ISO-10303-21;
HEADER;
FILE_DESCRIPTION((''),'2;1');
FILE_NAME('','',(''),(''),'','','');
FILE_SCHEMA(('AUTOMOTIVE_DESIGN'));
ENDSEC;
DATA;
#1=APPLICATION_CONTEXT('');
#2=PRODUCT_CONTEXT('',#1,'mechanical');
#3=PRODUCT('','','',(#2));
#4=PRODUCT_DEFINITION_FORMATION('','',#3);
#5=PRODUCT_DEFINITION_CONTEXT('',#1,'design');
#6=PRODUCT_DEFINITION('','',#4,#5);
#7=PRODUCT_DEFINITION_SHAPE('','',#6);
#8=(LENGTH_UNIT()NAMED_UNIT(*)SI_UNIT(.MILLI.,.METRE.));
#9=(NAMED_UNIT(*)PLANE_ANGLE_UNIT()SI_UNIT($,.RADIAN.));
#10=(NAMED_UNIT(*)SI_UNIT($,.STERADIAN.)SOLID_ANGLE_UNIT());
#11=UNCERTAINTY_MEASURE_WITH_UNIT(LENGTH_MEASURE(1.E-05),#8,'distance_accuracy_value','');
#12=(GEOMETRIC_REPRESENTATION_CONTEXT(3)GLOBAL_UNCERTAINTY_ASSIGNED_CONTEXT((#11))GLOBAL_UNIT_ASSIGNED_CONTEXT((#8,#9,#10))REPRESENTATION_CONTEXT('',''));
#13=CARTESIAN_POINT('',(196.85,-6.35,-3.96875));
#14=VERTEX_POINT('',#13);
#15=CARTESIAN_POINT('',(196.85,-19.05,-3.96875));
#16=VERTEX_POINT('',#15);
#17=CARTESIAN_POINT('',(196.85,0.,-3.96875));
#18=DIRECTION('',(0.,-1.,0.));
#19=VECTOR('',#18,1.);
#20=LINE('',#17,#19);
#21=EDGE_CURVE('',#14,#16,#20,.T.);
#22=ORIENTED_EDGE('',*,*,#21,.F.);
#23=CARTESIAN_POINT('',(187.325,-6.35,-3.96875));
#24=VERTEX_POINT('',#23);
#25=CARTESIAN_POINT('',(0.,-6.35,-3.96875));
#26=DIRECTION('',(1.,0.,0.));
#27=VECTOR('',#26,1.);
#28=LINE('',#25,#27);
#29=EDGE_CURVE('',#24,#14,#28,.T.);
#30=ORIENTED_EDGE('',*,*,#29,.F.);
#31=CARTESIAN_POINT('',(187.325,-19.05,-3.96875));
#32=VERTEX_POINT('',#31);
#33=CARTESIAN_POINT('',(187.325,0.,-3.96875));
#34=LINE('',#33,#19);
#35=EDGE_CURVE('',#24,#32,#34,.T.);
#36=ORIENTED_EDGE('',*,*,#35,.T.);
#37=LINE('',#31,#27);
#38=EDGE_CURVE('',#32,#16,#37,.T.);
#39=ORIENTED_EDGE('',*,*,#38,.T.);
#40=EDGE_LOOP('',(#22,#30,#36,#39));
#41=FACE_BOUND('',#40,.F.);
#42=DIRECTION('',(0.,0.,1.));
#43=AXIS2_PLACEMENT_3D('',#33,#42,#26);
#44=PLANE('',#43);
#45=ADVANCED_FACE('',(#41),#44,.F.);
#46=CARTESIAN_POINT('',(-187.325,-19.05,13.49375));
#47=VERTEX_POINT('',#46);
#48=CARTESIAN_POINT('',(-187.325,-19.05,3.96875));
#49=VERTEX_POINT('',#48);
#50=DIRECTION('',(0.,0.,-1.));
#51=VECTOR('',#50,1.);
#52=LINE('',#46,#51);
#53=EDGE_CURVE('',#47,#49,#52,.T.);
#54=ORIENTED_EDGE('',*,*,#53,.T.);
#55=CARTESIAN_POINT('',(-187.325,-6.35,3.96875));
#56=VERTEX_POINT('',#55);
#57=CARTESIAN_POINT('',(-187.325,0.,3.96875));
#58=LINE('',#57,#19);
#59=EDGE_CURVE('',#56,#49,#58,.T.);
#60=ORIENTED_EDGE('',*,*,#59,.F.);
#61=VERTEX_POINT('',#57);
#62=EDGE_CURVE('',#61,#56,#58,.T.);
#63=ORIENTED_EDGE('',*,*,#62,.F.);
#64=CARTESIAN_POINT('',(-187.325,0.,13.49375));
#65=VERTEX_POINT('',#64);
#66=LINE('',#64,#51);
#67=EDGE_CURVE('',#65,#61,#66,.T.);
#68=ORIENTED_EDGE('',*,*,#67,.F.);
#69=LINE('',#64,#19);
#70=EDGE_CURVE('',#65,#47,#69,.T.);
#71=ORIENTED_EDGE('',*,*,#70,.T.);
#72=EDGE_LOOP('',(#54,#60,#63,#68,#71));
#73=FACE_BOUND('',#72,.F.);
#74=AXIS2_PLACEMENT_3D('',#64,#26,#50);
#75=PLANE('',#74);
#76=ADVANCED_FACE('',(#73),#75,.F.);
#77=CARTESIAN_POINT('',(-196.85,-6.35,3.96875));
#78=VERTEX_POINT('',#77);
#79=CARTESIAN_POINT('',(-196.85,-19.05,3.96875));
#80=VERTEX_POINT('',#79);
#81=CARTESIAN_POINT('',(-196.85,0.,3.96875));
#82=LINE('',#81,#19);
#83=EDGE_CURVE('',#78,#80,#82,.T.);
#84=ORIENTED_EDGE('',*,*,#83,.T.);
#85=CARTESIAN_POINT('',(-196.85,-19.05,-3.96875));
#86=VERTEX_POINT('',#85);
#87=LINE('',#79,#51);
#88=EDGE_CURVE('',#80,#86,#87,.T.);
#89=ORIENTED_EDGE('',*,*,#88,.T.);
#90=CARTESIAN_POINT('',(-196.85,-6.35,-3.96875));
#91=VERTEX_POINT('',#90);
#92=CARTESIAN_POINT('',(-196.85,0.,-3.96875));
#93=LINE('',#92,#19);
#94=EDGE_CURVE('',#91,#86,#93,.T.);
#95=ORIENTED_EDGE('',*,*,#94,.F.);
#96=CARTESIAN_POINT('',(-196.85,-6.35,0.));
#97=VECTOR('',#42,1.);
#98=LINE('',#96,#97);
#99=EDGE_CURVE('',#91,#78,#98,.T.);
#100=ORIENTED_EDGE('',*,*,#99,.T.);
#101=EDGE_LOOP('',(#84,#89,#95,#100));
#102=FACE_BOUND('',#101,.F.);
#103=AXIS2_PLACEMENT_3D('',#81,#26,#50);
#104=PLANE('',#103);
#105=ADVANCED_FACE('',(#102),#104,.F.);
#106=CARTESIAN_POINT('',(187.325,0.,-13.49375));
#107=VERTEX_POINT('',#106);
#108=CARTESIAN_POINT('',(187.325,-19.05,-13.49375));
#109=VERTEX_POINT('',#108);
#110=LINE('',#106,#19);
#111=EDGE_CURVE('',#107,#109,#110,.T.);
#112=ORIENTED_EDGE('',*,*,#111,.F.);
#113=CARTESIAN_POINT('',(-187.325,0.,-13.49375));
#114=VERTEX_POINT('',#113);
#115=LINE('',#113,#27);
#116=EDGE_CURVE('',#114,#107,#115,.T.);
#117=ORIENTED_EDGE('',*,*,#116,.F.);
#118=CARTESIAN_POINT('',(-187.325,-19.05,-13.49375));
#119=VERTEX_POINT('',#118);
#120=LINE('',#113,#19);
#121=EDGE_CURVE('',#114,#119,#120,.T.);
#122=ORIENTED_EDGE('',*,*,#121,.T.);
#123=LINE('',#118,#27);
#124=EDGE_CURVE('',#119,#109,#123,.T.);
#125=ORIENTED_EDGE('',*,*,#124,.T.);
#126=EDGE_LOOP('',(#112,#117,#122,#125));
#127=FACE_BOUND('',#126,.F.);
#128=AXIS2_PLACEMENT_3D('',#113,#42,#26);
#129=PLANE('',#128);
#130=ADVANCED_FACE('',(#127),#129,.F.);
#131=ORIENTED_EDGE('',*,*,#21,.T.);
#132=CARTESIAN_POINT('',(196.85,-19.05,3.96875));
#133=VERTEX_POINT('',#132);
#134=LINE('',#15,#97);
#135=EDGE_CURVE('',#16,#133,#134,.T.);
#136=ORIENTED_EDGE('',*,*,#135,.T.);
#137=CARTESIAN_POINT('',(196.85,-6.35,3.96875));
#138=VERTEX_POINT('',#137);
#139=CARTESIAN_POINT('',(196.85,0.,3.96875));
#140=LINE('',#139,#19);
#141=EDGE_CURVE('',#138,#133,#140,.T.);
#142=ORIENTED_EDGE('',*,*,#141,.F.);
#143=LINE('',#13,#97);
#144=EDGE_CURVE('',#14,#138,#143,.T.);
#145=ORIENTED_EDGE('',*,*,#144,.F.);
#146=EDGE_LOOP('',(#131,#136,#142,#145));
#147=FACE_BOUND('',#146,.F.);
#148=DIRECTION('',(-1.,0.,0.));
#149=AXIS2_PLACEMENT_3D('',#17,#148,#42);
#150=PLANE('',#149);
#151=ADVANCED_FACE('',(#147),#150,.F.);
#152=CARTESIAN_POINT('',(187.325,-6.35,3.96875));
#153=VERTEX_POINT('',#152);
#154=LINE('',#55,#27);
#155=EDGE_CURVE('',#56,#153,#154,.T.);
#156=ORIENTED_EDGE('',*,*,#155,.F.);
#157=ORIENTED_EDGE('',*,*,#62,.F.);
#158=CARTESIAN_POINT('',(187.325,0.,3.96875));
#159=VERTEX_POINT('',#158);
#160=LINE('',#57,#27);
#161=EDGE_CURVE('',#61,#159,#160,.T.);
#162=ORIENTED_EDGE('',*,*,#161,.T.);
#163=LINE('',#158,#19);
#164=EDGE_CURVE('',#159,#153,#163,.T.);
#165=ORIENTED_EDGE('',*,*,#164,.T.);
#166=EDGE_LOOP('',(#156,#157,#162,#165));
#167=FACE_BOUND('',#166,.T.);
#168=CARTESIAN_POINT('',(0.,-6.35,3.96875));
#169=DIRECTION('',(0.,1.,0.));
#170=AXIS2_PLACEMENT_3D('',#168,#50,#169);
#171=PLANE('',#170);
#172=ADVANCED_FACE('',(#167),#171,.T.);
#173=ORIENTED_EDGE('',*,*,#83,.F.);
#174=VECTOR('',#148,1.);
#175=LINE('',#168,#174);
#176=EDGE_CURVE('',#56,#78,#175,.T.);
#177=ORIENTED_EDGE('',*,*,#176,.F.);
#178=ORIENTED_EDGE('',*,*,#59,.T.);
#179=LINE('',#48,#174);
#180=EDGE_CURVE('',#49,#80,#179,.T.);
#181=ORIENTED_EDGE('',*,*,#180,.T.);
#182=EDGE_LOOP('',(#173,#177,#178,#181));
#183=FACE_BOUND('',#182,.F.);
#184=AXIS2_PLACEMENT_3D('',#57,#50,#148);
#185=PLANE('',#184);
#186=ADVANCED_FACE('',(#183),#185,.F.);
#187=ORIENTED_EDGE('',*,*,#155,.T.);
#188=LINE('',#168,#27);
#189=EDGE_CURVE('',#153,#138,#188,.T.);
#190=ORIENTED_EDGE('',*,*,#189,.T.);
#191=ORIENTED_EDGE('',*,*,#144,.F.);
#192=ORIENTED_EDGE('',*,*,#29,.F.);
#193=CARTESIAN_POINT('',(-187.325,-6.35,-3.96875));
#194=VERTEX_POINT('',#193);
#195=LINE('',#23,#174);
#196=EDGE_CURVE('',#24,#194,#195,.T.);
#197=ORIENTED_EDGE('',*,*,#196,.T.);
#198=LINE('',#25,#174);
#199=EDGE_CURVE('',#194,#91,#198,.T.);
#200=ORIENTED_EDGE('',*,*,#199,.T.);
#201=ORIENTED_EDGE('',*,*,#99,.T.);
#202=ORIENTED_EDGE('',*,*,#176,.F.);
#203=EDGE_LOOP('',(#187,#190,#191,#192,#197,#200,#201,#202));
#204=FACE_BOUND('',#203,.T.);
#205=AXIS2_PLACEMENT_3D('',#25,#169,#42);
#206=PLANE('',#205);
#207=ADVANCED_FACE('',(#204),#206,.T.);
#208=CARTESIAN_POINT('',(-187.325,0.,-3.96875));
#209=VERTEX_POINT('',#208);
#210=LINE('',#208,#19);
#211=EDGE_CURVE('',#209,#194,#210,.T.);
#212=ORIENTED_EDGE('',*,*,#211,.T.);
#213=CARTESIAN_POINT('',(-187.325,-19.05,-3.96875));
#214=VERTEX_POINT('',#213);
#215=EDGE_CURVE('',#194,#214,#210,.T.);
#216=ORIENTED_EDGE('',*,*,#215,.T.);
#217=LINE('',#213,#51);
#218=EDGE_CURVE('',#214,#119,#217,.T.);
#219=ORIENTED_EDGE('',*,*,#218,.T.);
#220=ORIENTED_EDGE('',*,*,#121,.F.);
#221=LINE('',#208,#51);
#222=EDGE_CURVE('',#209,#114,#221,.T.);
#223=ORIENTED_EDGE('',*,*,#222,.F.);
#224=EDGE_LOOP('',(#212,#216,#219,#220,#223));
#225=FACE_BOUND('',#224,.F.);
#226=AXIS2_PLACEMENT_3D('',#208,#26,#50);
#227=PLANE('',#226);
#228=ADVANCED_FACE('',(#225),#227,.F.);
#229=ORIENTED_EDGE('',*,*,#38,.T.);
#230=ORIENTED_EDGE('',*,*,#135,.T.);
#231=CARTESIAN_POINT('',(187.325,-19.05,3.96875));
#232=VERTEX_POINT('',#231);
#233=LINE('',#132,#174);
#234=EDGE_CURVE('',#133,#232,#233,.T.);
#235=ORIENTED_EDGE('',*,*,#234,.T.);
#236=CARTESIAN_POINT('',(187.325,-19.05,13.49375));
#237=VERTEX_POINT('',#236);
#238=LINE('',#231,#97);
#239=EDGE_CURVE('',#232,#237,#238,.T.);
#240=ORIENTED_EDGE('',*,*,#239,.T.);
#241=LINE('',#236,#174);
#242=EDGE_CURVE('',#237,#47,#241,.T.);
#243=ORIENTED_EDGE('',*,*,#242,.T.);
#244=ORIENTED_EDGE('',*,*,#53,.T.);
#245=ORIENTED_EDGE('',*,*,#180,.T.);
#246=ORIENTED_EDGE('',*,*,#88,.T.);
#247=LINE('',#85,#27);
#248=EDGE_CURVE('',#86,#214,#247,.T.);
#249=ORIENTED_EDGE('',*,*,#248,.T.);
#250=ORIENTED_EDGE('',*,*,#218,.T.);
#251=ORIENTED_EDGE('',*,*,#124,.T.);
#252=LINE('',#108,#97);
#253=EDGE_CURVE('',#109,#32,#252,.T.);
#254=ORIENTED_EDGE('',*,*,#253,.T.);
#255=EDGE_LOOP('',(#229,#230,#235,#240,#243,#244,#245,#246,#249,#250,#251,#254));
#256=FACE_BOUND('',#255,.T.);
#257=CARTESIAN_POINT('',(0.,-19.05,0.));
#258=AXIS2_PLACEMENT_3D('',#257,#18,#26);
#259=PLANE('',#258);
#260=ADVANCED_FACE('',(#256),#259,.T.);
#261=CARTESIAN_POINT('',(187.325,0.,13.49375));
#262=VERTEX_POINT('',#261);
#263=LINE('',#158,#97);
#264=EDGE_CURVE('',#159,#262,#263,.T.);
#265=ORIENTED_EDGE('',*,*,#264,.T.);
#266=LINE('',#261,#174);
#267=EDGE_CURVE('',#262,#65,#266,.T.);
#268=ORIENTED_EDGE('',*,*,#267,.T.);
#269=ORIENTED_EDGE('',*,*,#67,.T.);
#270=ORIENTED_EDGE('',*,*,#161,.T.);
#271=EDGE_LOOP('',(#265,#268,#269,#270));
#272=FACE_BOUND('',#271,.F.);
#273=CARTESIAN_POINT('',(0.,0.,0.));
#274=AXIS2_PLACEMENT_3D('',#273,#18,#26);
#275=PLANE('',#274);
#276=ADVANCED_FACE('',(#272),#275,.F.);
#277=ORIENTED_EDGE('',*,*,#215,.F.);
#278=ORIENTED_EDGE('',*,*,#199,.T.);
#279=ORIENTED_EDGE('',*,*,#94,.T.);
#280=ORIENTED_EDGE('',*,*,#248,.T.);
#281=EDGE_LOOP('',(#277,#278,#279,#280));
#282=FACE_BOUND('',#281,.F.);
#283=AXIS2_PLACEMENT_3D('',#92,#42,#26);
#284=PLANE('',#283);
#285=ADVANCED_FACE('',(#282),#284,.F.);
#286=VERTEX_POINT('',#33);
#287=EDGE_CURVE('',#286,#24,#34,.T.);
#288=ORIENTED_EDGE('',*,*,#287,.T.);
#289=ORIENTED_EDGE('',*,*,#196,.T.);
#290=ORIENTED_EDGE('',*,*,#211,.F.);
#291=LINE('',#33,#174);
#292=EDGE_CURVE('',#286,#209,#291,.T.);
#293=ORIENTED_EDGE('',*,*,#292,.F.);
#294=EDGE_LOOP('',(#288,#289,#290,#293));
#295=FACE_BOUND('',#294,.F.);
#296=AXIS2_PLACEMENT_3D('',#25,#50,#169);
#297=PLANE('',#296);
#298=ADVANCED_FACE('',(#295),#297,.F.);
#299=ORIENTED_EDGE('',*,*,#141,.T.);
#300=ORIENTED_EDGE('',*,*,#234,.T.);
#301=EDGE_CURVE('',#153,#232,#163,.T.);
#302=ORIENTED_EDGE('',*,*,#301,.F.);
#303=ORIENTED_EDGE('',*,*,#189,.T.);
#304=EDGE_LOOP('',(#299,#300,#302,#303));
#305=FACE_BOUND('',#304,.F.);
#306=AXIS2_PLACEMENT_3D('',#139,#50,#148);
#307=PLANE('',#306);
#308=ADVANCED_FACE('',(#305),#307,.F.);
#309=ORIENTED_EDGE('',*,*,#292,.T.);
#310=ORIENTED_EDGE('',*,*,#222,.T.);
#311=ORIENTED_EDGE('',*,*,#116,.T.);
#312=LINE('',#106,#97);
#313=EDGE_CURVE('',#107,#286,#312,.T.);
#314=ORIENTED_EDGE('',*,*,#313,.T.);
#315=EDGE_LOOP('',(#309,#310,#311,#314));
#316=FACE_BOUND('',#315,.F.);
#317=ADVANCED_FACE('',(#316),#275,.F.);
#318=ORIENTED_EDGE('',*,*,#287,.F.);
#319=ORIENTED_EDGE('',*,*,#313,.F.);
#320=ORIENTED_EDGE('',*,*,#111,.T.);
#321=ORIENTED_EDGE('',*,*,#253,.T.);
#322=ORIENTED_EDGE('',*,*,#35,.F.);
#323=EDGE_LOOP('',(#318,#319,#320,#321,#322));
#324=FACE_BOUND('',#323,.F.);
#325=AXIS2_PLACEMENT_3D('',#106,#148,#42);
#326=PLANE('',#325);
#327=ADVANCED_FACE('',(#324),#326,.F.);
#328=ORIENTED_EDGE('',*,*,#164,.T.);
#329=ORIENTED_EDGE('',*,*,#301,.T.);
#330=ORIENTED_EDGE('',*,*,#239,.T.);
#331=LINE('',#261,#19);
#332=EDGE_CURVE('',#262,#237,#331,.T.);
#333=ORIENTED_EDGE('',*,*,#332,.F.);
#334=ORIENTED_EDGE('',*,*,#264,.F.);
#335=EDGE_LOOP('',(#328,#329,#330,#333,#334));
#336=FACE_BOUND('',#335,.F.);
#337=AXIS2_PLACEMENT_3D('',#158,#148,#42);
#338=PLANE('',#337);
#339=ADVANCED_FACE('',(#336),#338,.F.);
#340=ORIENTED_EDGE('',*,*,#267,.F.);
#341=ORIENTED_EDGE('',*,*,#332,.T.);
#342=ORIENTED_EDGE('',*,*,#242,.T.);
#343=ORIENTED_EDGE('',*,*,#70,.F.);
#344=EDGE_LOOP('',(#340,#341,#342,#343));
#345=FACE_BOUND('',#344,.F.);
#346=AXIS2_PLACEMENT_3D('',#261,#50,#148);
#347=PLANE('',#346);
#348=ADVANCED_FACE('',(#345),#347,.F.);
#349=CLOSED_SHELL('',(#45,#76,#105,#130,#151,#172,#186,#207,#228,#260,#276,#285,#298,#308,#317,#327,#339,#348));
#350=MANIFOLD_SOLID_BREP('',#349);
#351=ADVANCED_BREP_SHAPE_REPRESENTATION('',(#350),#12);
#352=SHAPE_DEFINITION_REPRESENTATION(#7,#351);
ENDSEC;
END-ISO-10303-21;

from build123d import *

# Parameters (mm, degrees)
F1_DEPTH      = 19.05
F2_W          = 6.35
F2_H          = 7.9375
F3_DEPTH      = 196.851
F3_DEPTH_BACK = 196.851


with BuildPart() as f1:
    # F0 (on Front) → F1 (new body)
    with BuildSketch(Plane.XZ):
        Polygon((-196.85, 3.96875), (-196.85, -3.96875), (-187.325, -3.96875), (-187.325, -13.49375), (187.325, -13.49375), (187.325, -3.96875), (196.85, -3.96875), (196.85, 3.96875), (187.325, 3.96875), (187.325, 13.49375), (-187.325, 13.49375), (-187.325, 3.96875), align=None)
    extrude(amount=F1_DEPTH)

    # F2 (on Right) → F3 (cut, two sides)
    with BuildSketch(Plane.YZ) as f3_sk:
        with Locations((-3.175, 0)):
            Rectangle(F2_W, F2_H)
    extrude(amount=-F3_DEPTH, mode=Mode.SUBTRACT)
    extrude(f3_sk.sketch, amount=F3_DEPTH_BACK, mode=Mode.SUBTRACT)


solid = f1.part
